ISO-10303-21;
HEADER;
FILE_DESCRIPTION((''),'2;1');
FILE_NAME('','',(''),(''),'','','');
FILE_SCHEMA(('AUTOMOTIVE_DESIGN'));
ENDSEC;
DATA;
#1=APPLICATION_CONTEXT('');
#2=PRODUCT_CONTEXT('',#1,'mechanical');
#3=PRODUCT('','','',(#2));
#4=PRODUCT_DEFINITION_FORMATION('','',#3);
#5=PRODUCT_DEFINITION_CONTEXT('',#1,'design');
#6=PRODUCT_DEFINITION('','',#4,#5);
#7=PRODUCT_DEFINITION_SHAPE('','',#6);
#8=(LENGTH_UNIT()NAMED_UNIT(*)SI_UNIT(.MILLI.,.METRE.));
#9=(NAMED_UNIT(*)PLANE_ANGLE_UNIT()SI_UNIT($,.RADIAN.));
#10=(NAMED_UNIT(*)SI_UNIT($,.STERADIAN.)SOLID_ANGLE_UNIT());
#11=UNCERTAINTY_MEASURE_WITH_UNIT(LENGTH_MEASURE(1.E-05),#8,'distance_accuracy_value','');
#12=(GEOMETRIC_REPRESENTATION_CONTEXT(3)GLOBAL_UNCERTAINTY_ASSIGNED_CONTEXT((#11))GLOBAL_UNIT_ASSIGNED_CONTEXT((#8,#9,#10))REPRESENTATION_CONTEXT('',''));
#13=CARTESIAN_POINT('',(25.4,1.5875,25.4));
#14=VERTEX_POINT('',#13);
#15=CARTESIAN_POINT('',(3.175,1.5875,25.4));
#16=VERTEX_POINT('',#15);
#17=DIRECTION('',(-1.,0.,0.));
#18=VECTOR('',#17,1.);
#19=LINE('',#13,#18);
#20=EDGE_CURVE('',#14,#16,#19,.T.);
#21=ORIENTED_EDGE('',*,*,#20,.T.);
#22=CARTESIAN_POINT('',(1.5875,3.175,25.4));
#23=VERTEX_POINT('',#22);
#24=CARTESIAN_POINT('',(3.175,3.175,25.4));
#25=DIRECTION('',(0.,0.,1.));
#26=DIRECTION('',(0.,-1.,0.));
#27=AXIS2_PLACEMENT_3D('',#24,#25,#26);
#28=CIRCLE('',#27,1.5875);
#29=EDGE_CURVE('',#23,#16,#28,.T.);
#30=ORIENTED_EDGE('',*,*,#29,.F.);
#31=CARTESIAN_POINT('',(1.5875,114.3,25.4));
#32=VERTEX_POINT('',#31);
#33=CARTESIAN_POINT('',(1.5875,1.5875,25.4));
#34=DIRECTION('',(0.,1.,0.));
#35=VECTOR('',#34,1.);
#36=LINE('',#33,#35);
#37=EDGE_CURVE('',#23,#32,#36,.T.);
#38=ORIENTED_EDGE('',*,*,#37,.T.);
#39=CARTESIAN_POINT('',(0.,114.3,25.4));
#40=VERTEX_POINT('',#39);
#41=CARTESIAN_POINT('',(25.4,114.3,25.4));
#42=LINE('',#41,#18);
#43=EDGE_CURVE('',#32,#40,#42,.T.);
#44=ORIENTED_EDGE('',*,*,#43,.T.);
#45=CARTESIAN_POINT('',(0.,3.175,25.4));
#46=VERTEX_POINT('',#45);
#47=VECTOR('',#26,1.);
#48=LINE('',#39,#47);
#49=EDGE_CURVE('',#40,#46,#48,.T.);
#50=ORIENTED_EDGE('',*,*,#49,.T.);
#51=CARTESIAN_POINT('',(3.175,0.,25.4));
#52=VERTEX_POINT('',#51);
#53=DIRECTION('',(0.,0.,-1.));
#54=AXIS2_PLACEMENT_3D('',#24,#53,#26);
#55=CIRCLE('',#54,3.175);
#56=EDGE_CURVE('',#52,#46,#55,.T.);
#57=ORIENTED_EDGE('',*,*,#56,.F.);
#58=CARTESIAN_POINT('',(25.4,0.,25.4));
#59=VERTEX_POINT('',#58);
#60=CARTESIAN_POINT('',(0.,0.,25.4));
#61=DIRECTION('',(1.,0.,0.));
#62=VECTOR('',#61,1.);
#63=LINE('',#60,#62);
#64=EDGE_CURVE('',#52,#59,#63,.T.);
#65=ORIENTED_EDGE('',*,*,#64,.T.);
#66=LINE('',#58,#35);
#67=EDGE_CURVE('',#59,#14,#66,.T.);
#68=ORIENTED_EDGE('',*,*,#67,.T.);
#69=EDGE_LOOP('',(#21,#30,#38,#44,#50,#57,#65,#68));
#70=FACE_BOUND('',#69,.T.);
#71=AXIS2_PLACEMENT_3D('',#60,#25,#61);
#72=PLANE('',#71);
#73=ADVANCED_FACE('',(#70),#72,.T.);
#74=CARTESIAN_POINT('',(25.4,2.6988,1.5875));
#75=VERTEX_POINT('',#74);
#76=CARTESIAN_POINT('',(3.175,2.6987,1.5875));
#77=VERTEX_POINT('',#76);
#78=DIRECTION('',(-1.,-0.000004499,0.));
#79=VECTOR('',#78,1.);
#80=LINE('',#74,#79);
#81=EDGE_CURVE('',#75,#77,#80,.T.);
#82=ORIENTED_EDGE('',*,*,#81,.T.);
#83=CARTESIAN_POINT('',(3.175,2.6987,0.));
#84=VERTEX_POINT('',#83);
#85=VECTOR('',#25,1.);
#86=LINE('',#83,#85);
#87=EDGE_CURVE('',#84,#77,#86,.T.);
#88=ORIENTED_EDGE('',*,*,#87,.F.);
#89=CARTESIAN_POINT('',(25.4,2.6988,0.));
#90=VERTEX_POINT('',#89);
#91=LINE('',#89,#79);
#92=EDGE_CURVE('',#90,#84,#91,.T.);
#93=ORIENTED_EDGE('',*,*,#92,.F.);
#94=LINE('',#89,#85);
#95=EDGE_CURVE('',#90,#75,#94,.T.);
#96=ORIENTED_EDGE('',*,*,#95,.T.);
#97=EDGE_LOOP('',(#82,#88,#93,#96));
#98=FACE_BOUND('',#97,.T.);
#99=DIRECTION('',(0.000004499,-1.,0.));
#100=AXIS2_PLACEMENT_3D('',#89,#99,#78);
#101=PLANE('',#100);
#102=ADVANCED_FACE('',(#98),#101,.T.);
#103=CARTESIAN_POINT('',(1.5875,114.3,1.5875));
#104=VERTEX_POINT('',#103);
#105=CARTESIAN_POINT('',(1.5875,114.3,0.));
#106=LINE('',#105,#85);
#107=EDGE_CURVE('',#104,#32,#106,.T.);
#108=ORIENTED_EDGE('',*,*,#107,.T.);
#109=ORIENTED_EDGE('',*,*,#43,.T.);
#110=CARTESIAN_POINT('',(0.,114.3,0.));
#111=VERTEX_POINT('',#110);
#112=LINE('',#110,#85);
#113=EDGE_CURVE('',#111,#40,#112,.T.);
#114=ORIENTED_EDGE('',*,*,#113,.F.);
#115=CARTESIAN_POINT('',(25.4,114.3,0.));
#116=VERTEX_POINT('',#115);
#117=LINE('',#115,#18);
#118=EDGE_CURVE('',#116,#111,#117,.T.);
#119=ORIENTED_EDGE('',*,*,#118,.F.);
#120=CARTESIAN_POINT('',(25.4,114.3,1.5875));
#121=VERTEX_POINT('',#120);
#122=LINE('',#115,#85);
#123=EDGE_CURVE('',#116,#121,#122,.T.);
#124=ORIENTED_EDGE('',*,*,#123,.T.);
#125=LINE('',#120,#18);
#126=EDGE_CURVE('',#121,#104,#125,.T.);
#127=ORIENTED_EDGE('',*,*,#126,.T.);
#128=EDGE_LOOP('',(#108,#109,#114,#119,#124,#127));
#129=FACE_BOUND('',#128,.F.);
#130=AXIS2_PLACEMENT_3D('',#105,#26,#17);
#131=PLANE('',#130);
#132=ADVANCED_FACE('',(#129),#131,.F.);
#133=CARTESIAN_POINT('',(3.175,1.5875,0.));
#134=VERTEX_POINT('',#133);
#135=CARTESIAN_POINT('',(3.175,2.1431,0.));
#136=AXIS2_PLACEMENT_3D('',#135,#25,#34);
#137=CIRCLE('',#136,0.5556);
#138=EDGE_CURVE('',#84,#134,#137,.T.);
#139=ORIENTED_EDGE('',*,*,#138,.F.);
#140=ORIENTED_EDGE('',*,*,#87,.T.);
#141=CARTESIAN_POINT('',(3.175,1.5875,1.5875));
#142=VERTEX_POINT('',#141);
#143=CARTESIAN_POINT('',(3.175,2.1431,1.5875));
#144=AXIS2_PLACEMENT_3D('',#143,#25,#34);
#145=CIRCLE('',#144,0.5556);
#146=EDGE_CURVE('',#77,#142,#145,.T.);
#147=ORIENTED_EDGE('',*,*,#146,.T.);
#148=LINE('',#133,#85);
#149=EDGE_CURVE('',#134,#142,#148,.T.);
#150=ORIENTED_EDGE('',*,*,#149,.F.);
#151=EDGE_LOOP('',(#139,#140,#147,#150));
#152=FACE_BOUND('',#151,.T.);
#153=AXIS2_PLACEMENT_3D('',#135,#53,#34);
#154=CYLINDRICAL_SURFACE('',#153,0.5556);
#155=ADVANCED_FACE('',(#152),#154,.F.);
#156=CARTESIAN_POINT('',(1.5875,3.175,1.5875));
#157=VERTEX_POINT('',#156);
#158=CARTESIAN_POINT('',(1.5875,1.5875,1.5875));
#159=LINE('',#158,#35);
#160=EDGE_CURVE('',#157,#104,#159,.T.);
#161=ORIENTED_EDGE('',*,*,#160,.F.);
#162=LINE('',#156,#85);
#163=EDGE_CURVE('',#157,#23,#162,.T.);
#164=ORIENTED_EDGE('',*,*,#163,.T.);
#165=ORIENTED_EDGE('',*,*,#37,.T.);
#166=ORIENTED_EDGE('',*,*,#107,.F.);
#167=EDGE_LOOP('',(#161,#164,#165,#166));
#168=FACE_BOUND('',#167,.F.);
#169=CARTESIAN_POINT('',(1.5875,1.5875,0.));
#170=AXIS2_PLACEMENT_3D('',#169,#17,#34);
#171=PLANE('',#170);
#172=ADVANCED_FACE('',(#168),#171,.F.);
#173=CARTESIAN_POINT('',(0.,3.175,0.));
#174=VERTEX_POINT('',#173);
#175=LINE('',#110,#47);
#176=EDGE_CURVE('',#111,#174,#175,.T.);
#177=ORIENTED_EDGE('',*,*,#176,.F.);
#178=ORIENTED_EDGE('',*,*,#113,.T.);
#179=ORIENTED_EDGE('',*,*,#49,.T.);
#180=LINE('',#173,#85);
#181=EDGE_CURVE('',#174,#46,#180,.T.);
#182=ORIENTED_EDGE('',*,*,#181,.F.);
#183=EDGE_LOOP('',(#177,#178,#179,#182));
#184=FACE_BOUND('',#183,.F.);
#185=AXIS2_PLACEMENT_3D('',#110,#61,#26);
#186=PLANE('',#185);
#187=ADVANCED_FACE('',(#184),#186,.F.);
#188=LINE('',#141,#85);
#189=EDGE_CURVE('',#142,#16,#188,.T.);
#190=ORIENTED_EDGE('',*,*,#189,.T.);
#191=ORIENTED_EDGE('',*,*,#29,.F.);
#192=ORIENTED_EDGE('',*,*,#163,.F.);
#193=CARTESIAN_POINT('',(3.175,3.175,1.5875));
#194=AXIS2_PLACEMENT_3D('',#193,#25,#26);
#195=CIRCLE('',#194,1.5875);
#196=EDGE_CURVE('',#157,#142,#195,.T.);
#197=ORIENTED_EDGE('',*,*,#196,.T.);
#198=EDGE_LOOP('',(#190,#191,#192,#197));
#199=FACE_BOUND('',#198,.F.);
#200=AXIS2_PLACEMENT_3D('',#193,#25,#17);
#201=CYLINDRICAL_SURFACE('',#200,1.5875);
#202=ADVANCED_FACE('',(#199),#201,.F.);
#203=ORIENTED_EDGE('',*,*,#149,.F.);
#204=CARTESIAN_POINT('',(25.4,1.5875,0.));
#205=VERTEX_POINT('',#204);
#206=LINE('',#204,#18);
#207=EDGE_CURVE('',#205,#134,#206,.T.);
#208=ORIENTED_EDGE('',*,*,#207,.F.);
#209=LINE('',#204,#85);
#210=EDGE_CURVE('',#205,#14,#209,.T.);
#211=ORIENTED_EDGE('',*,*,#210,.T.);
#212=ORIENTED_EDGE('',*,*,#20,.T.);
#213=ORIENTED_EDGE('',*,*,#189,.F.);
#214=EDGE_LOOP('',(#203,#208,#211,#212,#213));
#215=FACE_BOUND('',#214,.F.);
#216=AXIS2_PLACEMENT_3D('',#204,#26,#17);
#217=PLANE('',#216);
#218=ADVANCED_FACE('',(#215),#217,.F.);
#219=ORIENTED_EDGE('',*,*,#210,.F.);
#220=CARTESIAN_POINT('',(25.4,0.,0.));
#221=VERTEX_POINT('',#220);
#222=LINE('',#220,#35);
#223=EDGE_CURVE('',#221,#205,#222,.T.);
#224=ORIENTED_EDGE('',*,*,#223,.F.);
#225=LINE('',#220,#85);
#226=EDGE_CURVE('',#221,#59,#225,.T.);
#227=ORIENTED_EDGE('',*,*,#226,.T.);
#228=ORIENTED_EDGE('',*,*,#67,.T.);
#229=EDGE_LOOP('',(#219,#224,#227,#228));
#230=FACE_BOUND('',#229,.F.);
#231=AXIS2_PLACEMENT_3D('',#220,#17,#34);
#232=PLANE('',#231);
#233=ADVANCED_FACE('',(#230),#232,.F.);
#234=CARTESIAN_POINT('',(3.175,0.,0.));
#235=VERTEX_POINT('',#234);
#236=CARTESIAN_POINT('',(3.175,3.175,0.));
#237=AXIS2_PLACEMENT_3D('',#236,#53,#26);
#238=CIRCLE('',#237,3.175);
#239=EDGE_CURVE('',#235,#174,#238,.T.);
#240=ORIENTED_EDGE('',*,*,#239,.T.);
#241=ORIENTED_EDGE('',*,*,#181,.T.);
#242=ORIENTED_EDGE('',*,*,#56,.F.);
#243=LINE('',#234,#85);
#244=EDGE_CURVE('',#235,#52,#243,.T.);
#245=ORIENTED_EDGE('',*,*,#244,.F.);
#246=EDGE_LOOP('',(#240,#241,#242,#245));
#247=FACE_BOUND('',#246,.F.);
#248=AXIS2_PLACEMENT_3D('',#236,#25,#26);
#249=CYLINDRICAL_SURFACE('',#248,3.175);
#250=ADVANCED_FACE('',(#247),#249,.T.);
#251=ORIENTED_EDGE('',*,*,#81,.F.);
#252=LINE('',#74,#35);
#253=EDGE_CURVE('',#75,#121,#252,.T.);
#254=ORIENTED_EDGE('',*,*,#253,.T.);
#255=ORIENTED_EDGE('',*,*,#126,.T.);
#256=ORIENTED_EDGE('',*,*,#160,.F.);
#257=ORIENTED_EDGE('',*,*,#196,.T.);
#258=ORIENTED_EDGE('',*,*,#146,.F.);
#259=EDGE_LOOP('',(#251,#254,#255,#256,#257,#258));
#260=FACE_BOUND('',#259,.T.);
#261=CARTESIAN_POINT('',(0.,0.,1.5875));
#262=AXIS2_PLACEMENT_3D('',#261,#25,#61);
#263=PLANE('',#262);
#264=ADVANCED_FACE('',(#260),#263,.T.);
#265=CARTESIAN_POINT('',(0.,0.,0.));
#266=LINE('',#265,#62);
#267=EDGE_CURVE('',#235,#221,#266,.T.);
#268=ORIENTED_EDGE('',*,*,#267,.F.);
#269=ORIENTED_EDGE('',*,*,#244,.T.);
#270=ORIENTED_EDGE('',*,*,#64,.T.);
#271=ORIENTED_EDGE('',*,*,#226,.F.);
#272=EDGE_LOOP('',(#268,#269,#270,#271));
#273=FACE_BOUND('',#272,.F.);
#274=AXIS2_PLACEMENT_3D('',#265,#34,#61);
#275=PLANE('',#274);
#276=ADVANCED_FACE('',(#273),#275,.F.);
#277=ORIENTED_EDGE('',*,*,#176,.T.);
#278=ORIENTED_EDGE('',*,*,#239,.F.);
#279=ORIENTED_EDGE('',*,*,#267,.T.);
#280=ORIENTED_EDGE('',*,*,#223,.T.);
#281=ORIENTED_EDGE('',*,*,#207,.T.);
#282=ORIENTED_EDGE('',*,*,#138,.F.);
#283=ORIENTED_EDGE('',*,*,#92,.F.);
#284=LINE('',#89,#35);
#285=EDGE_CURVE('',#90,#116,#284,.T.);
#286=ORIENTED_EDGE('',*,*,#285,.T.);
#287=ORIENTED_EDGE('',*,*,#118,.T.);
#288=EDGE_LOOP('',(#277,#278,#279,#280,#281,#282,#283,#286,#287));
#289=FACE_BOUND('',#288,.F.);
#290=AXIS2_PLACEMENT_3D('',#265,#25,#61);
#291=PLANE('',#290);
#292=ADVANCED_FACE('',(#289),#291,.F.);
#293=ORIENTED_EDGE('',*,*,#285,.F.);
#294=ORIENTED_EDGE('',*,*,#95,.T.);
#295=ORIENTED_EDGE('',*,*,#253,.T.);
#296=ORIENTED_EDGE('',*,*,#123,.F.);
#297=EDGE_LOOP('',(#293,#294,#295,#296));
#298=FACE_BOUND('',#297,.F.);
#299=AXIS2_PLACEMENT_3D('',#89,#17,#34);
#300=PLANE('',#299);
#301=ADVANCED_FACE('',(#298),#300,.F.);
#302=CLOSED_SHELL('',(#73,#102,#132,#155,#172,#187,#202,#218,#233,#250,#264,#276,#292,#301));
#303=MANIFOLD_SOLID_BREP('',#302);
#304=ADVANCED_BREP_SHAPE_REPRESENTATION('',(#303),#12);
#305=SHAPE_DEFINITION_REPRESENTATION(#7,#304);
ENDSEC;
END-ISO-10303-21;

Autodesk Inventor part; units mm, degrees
ref_plane "YZ Plane" through (0, 0, 0) normal (1, 0, 0) x (0, 1, 0)
ref_plane "XZ Plane" through (0, 0, 0) normal (0, 1, 0) x (-1, 0, 0)
ref_plane "XY Plane" through (0, 0, 0) normal (0, 0, 1) x (1, 0, 0)
sketch "Sketch1" plane through (0, 0, 0) normal (0, 0, 1) x (1, 0, 0)
  line L0 (0, 0) -> (25.4, 0)
  line L1 (25.4, 114.3) -> (0, 114.3)
  line L2 (0, 114.3) -> (0, 0)
  line L3 (25.4, 1.5875) -> (1.5875, 1.5875)
  line L4 (1.5875, 1.5875) -> (1.5875, 114.3)
  line L5 (25.4, 2.6988) -> (3.175, 2.6987)
  arc A0 (3.175, 2.6987) -> (3.175, 1.5875) centre (3.175, 2.1431) ccw
  line L6 (25.4, 0) -> (25.4, 1.5875)
  line L7 (25.4, 2.6988) -> (25.4, 114.3)
  dimension "d0" = 25.4
  dimension "d1" = 114.3
  dimension "d2" = 1.5875
  dimension "d3" = 1.5875
  dimension "d4" = 1.1113
  dimension "d5" = 1.5875
extrude "Extrusion1" add sketch "Sketch1" along normal blind 25.4 contours L2 L1 L4 L3 L6 L0
extrude "Extrusion2" add sketch "Sketch1" along normal blind 1.5875 contours L1 L7 L5 A0 L3 L4
fillet "Fillet1" radius 1.5875 1 edges at (1.5875, 1.5875, 13.4938)
fillet "Fillet2" radius 3.175 1 edges at (0, 0, 12.7)
equation "\"d2\" = d3"
equation "\"d4\" = 0.7 * d2"
properties part number "dozer side mid mount"
